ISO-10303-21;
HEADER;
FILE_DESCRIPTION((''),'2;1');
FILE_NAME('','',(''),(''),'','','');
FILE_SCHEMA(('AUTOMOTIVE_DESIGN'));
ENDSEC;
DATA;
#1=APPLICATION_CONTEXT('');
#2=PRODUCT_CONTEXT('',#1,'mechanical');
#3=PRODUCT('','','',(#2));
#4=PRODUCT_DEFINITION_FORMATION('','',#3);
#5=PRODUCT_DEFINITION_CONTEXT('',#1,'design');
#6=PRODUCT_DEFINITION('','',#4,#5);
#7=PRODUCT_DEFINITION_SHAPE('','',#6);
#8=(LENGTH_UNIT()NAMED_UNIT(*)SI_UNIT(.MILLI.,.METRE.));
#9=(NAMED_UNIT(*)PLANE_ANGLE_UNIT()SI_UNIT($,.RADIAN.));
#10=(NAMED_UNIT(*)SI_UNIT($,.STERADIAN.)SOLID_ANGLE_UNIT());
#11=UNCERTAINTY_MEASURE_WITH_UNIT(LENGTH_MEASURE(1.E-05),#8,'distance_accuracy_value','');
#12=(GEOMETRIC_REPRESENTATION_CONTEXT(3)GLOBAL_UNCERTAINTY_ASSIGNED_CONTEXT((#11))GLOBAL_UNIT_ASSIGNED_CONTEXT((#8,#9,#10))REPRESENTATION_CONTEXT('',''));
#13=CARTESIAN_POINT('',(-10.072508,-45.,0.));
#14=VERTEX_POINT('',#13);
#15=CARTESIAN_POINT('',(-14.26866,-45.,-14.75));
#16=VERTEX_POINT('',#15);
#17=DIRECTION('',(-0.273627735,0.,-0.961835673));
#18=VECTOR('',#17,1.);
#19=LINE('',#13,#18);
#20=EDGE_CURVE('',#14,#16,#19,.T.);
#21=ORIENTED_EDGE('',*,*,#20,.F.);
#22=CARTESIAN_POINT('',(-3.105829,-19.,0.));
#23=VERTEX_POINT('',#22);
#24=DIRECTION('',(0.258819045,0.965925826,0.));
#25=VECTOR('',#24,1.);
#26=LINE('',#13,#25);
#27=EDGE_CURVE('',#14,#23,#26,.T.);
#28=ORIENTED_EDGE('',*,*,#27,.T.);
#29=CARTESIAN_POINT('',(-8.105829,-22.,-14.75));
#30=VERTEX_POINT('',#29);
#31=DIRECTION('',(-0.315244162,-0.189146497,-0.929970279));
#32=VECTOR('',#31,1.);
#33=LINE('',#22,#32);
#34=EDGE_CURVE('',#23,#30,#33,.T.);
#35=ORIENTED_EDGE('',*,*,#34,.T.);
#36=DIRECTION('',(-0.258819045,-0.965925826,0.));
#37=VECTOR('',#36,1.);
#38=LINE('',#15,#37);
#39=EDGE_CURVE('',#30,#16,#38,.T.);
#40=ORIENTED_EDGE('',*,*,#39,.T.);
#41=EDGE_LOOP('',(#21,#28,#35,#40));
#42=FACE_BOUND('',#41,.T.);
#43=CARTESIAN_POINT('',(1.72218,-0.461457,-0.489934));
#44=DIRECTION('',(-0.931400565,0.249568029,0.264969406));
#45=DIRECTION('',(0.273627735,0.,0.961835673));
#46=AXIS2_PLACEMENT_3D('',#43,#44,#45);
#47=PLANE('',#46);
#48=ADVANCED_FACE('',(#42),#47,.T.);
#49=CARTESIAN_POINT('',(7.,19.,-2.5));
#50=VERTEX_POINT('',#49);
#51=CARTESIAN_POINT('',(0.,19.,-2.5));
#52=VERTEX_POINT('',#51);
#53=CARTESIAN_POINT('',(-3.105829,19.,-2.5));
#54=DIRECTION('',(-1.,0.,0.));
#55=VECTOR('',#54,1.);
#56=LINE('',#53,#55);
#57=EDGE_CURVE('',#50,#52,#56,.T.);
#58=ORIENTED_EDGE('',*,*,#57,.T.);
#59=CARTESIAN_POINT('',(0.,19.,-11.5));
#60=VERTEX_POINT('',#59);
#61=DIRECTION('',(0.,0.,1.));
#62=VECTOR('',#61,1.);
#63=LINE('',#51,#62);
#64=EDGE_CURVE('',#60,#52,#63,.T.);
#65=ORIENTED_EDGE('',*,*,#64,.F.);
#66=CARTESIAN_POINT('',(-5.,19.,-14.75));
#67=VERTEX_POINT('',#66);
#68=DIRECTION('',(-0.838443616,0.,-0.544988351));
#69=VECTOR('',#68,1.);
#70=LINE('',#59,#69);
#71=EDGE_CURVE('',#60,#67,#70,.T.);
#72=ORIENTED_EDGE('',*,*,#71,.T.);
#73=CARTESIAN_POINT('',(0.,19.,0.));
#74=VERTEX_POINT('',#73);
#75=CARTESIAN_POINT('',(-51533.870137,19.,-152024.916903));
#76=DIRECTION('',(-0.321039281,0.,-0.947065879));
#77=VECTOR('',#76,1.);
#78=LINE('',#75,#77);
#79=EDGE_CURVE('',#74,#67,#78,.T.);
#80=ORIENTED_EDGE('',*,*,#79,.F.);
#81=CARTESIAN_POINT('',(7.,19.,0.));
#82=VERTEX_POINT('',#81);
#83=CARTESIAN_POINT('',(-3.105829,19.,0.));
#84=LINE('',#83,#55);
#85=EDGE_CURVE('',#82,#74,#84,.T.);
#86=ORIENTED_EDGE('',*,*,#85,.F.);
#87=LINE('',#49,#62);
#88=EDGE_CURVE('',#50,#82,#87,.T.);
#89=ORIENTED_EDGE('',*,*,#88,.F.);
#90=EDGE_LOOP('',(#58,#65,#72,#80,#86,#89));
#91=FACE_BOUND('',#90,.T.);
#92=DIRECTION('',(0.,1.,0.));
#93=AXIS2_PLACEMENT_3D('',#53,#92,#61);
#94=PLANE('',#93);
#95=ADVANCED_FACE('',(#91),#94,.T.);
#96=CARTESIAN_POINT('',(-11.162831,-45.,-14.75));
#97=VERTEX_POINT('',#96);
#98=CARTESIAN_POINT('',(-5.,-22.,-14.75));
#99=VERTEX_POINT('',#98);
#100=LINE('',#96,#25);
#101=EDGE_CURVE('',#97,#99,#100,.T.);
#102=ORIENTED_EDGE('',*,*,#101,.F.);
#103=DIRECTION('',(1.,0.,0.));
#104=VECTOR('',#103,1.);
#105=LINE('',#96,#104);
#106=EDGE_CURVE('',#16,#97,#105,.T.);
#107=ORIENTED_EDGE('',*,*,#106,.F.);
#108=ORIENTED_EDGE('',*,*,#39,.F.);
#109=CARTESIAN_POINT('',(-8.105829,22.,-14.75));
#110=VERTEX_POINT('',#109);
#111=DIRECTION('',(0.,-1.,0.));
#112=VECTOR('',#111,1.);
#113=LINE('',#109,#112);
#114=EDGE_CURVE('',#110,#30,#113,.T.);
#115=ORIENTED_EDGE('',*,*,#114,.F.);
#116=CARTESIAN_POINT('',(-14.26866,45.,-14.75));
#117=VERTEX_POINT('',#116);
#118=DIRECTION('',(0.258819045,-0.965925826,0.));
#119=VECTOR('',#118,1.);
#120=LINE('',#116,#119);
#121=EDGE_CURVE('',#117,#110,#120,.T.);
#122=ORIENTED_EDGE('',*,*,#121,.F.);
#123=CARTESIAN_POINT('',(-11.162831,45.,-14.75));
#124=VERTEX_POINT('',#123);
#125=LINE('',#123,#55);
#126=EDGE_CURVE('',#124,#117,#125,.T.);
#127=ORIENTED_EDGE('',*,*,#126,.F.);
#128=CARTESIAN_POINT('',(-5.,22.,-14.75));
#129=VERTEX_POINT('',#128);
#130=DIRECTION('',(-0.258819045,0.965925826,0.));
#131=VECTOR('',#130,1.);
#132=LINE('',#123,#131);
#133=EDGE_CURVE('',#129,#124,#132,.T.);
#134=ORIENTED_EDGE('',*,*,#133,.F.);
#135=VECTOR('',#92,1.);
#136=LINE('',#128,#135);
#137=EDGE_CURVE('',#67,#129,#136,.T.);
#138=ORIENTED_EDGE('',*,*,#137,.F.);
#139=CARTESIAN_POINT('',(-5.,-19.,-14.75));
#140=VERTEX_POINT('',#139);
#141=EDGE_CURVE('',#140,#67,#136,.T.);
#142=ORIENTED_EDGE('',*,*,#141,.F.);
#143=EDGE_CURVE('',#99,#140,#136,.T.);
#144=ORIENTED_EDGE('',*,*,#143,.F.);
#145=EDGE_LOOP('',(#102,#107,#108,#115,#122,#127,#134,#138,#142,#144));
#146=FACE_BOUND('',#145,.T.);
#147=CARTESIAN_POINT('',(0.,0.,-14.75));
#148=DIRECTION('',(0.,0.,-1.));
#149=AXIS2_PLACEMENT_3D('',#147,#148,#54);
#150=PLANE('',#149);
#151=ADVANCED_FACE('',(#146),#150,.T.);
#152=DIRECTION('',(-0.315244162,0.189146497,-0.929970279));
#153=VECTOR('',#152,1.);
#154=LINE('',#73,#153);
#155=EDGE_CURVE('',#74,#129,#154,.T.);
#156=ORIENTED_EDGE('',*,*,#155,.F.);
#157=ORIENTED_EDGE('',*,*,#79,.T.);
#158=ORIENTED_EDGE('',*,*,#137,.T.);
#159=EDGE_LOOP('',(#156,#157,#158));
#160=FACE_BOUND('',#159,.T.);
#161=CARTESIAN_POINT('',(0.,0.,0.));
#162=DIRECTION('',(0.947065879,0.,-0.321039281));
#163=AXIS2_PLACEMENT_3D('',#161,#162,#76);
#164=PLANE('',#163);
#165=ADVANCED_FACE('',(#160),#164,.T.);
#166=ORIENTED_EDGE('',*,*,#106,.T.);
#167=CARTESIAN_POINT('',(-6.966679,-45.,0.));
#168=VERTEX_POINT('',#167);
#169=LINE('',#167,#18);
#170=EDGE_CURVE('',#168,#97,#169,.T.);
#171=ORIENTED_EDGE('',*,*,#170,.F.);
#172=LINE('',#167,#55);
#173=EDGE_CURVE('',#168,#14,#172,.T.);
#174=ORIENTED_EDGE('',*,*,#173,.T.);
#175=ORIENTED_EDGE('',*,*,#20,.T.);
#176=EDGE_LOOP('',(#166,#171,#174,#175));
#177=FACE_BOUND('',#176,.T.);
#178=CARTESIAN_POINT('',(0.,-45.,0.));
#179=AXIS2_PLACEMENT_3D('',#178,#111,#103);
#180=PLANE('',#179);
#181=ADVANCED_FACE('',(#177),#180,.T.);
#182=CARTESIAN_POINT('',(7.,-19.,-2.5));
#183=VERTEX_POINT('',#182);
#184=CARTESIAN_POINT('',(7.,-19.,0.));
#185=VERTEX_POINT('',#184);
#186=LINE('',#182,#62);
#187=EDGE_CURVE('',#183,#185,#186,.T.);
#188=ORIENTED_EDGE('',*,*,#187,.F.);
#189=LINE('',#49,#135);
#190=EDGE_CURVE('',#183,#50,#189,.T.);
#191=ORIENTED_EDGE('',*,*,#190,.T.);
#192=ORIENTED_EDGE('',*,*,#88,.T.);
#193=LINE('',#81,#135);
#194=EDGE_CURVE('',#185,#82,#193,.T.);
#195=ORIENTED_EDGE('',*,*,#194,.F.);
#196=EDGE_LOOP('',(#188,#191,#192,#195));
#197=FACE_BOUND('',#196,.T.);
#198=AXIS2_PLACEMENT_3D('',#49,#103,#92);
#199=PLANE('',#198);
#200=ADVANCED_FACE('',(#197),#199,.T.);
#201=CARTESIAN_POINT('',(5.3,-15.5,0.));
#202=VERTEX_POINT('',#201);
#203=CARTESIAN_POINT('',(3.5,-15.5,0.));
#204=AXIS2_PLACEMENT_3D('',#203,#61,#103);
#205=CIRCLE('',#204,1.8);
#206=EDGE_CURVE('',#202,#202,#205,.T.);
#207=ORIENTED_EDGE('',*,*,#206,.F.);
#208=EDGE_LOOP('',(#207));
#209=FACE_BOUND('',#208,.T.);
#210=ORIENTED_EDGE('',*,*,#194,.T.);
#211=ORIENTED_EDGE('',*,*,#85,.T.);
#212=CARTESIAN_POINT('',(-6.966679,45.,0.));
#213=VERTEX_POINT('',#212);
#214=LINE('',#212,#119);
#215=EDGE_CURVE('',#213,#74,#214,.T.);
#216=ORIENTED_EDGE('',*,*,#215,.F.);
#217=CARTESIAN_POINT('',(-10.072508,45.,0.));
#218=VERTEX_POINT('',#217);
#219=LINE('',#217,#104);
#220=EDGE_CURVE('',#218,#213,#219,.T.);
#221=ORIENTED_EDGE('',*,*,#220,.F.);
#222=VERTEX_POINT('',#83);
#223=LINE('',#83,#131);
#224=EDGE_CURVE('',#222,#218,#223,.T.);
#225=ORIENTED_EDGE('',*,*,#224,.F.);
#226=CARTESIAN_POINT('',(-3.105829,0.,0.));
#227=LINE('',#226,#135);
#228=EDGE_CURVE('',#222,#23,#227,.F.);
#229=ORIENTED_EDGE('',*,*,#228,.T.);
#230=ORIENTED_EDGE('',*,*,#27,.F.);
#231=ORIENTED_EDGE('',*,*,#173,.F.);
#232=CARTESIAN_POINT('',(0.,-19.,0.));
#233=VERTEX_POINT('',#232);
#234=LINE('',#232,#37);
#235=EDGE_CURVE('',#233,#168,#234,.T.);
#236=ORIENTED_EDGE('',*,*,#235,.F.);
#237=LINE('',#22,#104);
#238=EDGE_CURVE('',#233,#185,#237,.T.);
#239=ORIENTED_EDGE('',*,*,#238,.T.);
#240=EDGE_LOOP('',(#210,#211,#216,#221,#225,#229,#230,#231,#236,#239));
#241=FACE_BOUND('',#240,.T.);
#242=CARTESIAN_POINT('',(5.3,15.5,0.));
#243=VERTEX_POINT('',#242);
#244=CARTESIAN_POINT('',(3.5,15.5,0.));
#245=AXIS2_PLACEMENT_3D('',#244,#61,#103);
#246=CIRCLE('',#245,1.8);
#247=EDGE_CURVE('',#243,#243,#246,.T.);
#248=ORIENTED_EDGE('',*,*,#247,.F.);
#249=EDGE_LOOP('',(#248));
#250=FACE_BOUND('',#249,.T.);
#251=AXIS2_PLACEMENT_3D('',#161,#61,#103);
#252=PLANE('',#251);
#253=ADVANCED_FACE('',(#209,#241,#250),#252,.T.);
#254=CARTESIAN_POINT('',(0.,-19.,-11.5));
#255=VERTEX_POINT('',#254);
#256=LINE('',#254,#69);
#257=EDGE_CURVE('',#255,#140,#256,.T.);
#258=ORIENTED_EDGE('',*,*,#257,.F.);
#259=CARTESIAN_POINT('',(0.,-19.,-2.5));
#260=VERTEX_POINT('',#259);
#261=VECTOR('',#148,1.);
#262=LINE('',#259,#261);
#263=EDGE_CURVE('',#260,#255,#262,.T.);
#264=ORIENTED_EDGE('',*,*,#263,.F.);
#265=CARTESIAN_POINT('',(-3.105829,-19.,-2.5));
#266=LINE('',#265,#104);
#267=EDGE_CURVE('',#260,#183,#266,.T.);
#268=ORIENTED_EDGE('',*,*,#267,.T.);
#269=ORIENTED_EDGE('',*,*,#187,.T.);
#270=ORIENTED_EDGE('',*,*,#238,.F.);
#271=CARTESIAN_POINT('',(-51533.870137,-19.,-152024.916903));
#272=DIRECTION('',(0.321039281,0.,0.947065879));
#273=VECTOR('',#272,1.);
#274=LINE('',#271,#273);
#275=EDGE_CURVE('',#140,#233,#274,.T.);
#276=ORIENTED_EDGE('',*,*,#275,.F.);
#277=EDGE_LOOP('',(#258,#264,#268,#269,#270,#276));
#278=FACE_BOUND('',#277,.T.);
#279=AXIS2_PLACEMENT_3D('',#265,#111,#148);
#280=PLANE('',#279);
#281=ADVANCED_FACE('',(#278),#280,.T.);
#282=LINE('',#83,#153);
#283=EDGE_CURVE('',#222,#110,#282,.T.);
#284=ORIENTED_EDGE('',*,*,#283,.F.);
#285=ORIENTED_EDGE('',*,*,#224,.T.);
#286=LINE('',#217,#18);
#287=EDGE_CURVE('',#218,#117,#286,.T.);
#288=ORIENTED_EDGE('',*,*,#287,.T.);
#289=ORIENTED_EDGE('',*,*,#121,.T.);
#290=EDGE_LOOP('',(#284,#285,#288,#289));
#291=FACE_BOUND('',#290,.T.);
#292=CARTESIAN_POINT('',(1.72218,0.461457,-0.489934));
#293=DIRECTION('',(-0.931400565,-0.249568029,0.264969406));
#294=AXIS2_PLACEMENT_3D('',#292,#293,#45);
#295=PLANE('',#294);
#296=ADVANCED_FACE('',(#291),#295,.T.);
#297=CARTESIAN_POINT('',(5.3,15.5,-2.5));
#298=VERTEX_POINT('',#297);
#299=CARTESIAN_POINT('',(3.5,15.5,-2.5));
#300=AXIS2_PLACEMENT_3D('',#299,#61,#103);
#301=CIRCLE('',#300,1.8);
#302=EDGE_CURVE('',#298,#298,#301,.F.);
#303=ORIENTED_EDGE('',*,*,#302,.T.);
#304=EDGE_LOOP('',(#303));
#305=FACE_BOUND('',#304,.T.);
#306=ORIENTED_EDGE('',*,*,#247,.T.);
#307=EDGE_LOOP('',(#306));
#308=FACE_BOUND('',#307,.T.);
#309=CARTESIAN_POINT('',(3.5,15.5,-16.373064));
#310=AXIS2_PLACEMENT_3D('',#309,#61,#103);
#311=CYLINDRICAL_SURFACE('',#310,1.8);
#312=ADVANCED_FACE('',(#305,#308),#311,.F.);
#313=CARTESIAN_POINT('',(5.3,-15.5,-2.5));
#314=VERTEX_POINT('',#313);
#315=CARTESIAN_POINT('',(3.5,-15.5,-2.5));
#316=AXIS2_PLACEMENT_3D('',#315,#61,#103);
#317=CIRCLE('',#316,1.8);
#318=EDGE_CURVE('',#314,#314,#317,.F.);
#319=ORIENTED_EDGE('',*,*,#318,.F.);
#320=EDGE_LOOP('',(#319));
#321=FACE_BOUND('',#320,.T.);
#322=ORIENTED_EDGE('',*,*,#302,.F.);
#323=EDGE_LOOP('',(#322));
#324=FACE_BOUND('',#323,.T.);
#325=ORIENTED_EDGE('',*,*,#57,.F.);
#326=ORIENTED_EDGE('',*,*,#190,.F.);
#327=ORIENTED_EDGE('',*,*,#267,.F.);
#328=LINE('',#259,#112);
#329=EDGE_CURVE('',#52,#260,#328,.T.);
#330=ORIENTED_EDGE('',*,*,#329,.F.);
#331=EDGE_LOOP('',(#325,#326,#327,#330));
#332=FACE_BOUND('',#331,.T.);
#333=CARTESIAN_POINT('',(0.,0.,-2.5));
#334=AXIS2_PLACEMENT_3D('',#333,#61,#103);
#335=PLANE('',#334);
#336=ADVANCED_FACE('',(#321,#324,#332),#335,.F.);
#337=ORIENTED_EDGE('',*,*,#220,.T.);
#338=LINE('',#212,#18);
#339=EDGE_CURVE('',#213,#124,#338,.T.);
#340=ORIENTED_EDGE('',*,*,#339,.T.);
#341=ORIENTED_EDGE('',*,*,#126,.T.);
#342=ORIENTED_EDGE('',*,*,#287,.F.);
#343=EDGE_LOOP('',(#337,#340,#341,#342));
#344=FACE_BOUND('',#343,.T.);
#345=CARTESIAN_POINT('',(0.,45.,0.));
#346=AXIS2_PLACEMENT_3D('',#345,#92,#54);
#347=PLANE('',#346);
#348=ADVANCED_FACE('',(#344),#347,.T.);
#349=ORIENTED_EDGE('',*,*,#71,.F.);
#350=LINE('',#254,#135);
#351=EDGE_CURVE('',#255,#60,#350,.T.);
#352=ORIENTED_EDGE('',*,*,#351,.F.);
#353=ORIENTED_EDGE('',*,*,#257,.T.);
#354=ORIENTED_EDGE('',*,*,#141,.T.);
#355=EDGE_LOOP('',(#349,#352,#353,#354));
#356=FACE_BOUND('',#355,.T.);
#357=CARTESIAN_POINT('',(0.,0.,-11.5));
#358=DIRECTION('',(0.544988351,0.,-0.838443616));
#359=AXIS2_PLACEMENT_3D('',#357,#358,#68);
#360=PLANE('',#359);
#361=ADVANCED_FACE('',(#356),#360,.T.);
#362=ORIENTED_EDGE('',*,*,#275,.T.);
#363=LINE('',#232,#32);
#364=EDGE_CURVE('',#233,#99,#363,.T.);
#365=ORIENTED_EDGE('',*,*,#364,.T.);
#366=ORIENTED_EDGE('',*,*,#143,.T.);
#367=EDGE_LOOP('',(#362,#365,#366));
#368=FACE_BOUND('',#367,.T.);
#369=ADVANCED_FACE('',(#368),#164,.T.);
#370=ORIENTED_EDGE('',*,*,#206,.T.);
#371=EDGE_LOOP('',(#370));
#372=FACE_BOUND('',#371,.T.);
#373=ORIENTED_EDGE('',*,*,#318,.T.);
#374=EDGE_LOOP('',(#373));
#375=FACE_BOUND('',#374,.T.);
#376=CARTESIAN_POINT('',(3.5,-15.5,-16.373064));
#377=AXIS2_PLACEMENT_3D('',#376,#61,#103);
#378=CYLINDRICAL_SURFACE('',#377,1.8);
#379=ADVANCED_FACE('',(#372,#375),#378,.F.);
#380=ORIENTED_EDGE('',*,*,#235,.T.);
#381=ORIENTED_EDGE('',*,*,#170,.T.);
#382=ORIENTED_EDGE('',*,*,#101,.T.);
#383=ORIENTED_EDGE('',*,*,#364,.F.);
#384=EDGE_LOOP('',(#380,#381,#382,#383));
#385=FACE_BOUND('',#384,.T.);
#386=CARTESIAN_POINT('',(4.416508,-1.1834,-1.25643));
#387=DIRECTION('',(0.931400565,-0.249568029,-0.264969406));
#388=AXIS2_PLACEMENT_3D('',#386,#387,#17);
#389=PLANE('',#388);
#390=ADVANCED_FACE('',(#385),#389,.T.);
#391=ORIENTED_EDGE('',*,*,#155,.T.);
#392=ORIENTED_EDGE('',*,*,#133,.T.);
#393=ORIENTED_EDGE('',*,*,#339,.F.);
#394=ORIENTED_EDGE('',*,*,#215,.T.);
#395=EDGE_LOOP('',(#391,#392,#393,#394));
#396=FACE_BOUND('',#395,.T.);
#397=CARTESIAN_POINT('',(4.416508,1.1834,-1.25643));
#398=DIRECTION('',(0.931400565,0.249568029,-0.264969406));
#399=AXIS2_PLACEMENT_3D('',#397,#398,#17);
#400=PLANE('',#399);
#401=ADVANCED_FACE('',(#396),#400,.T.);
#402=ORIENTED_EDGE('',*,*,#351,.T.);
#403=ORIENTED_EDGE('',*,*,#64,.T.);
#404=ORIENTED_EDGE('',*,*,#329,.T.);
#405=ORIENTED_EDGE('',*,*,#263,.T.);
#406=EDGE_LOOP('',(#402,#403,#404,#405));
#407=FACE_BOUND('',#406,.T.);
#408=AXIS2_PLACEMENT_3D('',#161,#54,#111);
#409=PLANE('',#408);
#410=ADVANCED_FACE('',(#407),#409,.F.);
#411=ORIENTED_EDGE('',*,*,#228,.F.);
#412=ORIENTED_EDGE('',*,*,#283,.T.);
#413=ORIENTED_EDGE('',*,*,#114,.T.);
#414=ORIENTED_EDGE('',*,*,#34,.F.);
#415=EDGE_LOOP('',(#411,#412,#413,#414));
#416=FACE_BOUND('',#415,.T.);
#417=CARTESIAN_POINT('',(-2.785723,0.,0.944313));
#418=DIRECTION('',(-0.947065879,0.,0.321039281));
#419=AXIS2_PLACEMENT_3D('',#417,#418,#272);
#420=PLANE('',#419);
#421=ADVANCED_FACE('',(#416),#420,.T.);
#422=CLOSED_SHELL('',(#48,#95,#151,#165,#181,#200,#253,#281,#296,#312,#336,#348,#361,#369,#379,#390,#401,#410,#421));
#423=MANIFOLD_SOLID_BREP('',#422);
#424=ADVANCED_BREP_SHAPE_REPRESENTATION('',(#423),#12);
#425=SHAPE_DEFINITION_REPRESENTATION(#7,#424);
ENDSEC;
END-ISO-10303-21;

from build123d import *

# Parameters (mm, degrees)
ESQUISSE10_W            = 10.105828541
ESQUISSE10_H            = 38
BOSS_EXTRU_1_DEPTH      = 2.5
ESQUISSE13_R            = 1.8
ENL_V_MAT_EXTRU_1_DEPTH = 2.5
BOSS_EXTRU_2_REACH      = 51.459
ESQUISSE16_W            = 9
ESQUISSE16_H            = 38
NERVURE3_REACH          = 51.459
ESQUISSE17_WALL_W       = 106.880712272
ESQUISSE17_WALL_H       = 38


with BuildPart() as part:
    # Esquisse12 → Lissage4 section 0
    with BuildSketch(Plane(origin=(0, 0, 0), x_dir=(-1, 0, 0), z_dir=(0, 0, -1))):
        with BuildLine():
            Line((0, -19), (0, 19))
            Line((0, 19), (6.966679003, 45))
            Line((6.966679003, 45), (10.072507544, 45))
            Line((10.072507544, 45), (3.105828541, 19))
            Line((3.105828541, 19), (3.105828541, -19))
            Line((3.105828541, -19), (10.072507544, -45))
            Line((10.072507544, -45), (6.966679003, -45))
            Line((6.966679003, -45), (0, -19))
        make_face()
    # Esquisse11 → Lissage4 section 1
    with BuildSketch(Plane.XY.offset(-14.75)):
        with BuildLine():
            Line((-11.162831426, 45), (-14.268659967, 45))
            Line((-14.268659967, 45), (-8.105828541, 22))
            Line((-8.105828541, 22), (-8.105828541, -22))
            Line((-8.105828541, -22), (-14.268659967, -45))
            Line((-14.268659967, -45), (-11.162831426, -45))
            Line((-11.162831426, -45), (-5, -22))
            Line((-5, -22), (-5, 22))
            Line((-5, 22), (-11.162831426, 45))
        make_face()
    loft()



with BuildPart() as body_2:
    # Esquisse10 → Boss.-Extru.1 (new body)
    with BuildSketch(Plane.XY):
        with Locations((1.947085729, 0)):
            Rectangle(ESQUISSE10_W, ESQUISSE10_H)
    extrude(amount=-BOSS_EXTRU_1_DEPTH)

    # Esquisse13 → Enlèv. mat.-Extru.1 (cut)
    with BuildSketch(Plane.XY):
        with Locations((3.5, 15.5)):
            Circle(ESQUISSE13_R)
        with Locations((3.5, -15.5)):
            Circle(ESQUISSE13_R)
    extrude(amount=-ENL_V_MAT_EXTRU_1_DEPTH, mode=Mode.SUBTRACT)


with BuildPart() as part_1:
    add(part.part)

    add(body_2.part)  # Boss.-Extru.2 merges body 2
    # Boss.-Extru.2: up to this plane
    boss_extru_2_end = Plane(origin=(0, 0, 0), z_dir=(0.9470658794157988, 0, -0.32103928115789765))
    # Esquisse16 → Boss.-Extru.2 (add, up to the surface)
    with BuildSketch(Plane(origin=(0, 0, 0), x_dir=(0, 0, -1), z_dir=(1, 0, 0)), mode=Mode.PRIVATE) as boss_extru_2_sk1:
        with Locations((7, 0)):
            Rectangle(ESQUISSE16_W, ESQUISSE16_H)
    boss_extru_2_tool1 = split(extrude(boss_extru_2_sk1.sketch, amount=-BOSS_EXTRU_2_REACH, mode=Mode.PRIVATE), bisect_by=boss_extru_2_end, keep=Keep.BOTH, mode=Mode.PRIVATE)
    add(boss_extru_2_tool1.solids().sort_by_distance((0, 0, -7))[0])

    # Esquisse17 wall → Nervure3 (add, up to next)
    with BuildSketch(Plane(origin=(-2.5, 0, -13.125), x_dir=(-0.838443616301, 0, -0.544988350595), z_dir=(-0.544988350595, 0, 0.838443616301)), mode=Mode.PRIVATE) as nervure3_sk1:
        Rectangle(ESQUISSE17_WALL_W, ESQUISSE17_WALL_H)
    nervure3_tool1 = extrude(nervure3_sk1.sketch, amount=NERVURE3_REACH, mode=Mode.PRIVATE) - part_1.part
    add(nervure3_tool1.solids().sort_by_distance((-2.5, 0, -13.125))[0])


solid = part_1.part
